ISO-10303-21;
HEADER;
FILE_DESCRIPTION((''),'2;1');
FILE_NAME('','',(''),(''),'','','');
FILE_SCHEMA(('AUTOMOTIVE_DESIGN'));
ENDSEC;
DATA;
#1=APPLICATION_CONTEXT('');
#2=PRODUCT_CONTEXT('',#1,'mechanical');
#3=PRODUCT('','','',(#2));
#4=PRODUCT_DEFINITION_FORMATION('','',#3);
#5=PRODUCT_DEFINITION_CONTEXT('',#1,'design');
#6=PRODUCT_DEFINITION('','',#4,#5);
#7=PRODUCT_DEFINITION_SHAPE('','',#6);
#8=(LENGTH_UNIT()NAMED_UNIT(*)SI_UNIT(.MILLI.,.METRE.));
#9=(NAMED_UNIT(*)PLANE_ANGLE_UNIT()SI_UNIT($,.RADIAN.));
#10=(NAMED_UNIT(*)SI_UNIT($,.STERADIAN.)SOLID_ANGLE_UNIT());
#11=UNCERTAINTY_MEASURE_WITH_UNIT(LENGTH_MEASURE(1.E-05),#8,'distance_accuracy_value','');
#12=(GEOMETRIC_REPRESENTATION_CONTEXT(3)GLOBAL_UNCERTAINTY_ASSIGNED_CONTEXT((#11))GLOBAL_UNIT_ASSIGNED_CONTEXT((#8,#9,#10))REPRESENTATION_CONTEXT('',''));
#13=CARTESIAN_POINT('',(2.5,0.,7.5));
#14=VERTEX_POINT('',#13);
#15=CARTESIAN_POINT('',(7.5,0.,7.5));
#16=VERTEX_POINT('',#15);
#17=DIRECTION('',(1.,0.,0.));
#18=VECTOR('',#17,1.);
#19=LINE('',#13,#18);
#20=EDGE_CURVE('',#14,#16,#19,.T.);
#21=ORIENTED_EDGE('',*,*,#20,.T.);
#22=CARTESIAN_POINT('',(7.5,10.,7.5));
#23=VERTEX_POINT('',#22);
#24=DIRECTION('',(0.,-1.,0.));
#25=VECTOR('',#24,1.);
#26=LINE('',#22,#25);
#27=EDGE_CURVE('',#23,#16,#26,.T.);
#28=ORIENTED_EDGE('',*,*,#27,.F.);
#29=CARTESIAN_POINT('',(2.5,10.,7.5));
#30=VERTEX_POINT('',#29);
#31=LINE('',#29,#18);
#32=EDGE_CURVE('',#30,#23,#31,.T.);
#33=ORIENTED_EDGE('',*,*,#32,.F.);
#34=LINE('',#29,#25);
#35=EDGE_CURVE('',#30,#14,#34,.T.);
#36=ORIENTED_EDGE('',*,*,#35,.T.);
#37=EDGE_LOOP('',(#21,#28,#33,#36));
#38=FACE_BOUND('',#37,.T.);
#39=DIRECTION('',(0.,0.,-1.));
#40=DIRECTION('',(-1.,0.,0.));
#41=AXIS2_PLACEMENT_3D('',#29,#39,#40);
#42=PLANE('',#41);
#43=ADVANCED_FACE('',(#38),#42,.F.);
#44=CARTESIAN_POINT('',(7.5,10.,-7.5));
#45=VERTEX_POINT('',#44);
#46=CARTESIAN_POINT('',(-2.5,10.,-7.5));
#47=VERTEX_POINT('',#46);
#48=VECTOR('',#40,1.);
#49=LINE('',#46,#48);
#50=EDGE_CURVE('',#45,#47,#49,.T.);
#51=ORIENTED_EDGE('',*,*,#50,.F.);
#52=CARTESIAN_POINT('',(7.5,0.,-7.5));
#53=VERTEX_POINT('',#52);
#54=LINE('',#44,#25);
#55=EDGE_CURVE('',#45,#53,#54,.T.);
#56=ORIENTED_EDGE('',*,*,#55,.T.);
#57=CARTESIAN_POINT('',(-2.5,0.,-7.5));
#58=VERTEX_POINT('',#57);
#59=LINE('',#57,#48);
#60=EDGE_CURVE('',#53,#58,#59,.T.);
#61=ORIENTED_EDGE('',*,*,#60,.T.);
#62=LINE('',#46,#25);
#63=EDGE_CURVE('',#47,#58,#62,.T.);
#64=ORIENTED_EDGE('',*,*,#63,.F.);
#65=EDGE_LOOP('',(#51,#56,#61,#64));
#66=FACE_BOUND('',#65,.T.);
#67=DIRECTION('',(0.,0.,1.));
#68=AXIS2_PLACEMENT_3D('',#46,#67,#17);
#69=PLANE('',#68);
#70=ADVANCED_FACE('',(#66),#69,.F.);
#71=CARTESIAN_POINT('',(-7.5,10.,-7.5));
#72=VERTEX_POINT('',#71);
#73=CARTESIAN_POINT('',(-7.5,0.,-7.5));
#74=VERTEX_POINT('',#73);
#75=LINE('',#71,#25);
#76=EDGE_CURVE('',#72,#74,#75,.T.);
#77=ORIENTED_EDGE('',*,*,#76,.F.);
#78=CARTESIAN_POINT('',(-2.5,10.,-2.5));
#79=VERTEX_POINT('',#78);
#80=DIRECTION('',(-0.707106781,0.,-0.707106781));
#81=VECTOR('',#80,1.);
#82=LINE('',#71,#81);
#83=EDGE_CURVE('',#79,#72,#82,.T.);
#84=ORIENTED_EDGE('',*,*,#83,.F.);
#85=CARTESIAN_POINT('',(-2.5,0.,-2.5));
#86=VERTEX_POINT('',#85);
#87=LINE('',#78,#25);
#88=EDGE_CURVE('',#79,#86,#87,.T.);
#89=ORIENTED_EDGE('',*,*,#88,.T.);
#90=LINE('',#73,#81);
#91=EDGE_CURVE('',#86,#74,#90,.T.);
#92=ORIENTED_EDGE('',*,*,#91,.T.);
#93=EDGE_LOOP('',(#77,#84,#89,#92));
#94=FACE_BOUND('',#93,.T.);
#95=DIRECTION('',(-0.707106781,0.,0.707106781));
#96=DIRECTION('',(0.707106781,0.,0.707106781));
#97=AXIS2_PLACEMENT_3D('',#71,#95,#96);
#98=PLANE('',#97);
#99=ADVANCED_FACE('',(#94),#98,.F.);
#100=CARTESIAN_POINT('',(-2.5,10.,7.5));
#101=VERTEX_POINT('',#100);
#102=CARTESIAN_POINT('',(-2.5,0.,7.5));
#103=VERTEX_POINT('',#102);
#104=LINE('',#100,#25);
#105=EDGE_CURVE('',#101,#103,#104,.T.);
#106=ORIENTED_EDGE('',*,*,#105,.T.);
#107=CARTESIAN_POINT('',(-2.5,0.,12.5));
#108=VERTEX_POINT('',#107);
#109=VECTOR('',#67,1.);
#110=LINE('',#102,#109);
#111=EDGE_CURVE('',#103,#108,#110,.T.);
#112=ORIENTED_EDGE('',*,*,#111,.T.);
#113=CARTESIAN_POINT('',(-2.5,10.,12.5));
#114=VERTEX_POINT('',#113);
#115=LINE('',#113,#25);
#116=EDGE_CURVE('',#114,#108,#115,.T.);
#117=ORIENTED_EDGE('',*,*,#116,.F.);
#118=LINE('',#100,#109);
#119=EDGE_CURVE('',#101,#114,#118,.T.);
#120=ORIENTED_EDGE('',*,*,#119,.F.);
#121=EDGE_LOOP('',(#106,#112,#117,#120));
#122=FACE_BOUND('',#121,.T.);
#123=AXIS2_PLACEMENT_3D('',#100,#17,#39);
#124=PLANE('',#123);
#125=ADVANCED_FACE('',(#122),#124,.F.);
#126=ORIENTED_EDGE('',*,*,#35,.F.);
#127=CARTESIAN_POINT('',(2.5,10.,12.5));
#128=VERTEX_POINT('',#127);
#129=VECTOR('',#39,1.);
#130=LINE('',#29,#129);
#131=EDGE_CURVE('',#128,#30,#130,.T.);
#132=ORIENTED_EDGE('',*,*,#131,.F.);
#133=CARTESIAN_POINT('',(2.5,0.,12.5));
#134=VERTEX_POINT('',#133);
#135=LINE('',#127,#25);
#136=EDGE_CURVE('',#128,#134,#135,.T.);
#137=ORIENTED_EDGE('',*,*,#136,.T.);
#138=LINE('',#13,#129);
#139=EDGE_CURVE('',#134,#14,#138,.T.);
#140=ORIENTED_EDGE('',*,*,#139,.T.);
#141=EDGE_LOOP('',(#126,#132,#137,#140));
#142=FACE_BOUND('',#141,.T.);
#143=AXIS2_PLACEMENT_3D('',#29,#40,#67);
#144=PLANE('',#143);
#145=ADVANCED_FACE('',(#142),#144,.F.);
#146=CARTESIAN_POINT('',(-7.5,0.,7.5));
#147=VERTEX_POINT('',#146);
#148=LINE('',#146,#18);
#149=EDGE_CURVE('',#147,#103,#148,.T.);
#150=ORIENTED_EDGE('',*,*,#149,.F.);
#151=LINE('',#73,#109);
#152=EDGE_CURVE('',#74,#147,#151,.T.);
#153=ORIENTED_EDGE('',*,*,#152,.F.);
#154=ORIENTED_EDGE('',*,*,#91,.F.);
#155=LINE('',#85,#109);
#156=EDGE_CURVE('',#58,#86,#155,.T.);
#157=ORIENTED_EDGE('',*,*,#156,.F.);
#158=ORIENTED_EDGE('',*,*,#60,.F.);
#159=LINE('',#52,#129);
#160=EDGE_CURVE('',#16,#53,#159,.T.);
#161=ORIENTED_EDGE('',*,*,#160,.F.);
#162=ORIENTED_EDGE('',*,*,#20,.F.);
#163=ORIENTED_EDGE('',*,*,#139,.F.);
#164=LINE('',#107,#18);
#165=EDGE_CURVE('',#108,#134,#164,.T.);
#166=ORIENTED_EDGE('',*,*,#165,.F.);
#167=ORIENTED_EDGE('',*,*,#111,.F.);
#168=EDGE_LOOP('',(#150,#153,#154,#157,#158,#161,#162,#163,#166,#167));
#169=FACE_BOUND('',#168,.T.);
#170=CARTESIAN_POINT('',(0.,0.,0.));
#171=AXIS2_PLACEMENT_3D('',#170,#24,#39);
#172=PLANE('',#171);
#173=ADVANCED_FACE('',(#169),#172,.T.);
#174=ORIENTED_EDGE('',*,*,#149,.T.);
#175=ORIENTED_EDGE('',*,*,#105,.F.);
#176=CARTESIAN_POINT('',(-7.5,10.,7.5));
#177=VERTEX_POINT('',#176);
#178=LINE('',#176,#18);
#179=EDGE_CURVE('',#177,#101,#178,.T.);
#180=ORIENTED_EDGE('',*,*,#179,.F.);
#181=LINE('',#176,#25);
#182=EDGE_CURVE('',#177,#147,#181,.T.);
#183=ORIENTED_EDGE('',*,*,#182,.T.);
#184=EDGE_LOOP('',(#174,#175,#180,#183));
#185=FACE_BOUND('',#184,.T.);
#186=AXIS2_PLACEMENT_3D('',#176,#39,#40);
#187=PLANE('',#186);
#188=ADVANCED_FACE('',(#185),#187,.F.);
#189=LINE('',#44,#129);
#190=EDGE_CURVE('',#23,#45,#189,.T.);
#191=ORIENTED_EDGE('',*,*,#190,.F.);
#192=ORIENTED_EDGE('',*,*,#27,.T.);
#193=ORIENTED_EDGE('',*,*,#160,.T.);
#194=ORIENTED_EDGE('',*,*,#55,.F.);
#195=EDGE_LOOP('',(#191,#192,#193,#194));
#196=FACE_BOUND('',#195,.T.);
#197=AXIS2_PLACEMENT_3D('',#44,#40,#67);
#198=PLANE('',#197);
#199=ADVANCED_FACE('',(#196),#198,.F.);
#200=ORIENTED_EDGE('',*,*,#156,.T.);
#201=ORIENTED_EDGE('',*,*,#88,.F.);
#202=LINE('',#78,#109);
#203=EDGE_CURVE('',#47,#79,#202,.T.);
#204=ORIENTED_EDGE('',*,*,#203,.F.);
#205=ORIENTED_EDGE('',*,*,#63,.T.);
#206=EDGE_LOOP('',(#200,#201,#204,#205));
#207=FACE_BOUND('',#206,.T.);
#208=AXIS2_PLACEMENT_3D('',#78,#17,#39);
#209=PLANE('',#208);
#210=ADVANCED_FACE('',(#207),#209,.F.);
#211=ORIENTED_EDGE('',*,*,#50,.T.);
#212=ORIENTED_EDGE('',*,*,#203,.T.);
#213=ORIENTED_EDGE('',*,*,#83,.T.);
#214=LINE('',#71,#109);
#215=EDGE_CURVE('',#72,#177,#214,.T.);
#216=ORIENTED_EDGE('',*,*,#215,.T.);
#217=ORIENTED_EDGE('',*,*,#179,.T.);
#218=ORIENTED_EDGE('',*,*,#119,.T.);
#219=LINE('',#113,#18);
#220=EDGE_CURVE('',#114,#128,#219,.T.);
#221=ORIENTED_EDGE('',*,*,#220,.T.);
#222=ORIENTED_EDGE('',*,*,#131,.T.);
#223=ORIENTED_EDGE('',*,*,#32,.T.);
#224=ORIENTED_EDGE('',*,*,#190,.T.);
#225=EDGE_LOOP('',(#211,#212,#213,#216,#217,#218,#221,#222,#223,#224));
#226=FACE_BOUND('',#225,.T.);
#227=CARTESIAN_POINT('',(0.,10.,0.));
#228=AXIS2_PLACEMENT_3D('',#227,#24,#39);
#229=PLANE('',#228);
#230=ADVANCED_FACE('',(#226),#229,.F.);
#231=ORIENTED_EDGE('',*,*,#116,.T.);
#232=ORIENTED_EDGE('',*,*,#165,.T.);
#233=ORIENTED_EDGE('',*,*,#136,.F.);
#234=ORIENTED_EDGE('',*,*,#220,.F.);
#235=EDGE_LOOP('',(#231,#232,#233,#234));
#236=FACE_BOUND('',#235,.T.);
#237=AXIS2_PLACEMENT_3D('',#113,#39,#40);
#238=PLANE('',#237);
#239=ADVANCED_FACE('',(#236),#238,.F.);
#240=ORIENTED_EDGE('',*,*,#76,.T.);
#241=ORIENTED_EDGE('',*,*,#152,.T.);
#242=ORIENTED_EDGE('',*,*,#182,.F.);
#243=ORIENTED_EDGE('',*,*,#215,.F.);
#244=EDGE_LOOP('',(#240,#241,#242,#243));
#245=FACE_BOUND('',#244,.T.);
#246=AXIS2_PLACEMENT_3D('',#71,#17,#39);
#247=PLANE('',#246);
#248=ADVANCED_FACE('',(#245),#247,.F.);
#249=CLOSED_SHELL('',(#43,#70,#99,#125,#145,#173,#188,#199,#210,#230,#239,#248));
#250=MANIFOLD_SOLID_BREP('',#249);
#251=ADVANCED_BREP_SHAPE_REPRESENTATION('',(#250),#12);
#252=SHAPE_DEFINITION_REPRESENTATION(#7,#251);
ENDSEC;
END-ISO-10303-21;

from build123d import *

# Parameters (mm, degrees)
BOSS_EXTRUDE1_DEPTH = 10


with BuildPart() as part:
    # Sketch5 → Boss-Extrude1 (new body)
    with BuildSketch(Plane(origin=(0, 0, 0), x_dir=(1, 0, 0), z_dir=(0, 1, 0))):
        Polygon((-7.5, 7.5), (-2.5, 2.5), (-2.5, 7.5), (7.5, 7.5), (7.5, -7.5), (2.5, -7.5), (2.5, -12.5), (-2.5, -12.5), (-2.5, -7.5), (-7.5, -7.5), align=None)
    extrude(amount=BOSS_EXTRUDE1_DEPTH)


solid = part.part
